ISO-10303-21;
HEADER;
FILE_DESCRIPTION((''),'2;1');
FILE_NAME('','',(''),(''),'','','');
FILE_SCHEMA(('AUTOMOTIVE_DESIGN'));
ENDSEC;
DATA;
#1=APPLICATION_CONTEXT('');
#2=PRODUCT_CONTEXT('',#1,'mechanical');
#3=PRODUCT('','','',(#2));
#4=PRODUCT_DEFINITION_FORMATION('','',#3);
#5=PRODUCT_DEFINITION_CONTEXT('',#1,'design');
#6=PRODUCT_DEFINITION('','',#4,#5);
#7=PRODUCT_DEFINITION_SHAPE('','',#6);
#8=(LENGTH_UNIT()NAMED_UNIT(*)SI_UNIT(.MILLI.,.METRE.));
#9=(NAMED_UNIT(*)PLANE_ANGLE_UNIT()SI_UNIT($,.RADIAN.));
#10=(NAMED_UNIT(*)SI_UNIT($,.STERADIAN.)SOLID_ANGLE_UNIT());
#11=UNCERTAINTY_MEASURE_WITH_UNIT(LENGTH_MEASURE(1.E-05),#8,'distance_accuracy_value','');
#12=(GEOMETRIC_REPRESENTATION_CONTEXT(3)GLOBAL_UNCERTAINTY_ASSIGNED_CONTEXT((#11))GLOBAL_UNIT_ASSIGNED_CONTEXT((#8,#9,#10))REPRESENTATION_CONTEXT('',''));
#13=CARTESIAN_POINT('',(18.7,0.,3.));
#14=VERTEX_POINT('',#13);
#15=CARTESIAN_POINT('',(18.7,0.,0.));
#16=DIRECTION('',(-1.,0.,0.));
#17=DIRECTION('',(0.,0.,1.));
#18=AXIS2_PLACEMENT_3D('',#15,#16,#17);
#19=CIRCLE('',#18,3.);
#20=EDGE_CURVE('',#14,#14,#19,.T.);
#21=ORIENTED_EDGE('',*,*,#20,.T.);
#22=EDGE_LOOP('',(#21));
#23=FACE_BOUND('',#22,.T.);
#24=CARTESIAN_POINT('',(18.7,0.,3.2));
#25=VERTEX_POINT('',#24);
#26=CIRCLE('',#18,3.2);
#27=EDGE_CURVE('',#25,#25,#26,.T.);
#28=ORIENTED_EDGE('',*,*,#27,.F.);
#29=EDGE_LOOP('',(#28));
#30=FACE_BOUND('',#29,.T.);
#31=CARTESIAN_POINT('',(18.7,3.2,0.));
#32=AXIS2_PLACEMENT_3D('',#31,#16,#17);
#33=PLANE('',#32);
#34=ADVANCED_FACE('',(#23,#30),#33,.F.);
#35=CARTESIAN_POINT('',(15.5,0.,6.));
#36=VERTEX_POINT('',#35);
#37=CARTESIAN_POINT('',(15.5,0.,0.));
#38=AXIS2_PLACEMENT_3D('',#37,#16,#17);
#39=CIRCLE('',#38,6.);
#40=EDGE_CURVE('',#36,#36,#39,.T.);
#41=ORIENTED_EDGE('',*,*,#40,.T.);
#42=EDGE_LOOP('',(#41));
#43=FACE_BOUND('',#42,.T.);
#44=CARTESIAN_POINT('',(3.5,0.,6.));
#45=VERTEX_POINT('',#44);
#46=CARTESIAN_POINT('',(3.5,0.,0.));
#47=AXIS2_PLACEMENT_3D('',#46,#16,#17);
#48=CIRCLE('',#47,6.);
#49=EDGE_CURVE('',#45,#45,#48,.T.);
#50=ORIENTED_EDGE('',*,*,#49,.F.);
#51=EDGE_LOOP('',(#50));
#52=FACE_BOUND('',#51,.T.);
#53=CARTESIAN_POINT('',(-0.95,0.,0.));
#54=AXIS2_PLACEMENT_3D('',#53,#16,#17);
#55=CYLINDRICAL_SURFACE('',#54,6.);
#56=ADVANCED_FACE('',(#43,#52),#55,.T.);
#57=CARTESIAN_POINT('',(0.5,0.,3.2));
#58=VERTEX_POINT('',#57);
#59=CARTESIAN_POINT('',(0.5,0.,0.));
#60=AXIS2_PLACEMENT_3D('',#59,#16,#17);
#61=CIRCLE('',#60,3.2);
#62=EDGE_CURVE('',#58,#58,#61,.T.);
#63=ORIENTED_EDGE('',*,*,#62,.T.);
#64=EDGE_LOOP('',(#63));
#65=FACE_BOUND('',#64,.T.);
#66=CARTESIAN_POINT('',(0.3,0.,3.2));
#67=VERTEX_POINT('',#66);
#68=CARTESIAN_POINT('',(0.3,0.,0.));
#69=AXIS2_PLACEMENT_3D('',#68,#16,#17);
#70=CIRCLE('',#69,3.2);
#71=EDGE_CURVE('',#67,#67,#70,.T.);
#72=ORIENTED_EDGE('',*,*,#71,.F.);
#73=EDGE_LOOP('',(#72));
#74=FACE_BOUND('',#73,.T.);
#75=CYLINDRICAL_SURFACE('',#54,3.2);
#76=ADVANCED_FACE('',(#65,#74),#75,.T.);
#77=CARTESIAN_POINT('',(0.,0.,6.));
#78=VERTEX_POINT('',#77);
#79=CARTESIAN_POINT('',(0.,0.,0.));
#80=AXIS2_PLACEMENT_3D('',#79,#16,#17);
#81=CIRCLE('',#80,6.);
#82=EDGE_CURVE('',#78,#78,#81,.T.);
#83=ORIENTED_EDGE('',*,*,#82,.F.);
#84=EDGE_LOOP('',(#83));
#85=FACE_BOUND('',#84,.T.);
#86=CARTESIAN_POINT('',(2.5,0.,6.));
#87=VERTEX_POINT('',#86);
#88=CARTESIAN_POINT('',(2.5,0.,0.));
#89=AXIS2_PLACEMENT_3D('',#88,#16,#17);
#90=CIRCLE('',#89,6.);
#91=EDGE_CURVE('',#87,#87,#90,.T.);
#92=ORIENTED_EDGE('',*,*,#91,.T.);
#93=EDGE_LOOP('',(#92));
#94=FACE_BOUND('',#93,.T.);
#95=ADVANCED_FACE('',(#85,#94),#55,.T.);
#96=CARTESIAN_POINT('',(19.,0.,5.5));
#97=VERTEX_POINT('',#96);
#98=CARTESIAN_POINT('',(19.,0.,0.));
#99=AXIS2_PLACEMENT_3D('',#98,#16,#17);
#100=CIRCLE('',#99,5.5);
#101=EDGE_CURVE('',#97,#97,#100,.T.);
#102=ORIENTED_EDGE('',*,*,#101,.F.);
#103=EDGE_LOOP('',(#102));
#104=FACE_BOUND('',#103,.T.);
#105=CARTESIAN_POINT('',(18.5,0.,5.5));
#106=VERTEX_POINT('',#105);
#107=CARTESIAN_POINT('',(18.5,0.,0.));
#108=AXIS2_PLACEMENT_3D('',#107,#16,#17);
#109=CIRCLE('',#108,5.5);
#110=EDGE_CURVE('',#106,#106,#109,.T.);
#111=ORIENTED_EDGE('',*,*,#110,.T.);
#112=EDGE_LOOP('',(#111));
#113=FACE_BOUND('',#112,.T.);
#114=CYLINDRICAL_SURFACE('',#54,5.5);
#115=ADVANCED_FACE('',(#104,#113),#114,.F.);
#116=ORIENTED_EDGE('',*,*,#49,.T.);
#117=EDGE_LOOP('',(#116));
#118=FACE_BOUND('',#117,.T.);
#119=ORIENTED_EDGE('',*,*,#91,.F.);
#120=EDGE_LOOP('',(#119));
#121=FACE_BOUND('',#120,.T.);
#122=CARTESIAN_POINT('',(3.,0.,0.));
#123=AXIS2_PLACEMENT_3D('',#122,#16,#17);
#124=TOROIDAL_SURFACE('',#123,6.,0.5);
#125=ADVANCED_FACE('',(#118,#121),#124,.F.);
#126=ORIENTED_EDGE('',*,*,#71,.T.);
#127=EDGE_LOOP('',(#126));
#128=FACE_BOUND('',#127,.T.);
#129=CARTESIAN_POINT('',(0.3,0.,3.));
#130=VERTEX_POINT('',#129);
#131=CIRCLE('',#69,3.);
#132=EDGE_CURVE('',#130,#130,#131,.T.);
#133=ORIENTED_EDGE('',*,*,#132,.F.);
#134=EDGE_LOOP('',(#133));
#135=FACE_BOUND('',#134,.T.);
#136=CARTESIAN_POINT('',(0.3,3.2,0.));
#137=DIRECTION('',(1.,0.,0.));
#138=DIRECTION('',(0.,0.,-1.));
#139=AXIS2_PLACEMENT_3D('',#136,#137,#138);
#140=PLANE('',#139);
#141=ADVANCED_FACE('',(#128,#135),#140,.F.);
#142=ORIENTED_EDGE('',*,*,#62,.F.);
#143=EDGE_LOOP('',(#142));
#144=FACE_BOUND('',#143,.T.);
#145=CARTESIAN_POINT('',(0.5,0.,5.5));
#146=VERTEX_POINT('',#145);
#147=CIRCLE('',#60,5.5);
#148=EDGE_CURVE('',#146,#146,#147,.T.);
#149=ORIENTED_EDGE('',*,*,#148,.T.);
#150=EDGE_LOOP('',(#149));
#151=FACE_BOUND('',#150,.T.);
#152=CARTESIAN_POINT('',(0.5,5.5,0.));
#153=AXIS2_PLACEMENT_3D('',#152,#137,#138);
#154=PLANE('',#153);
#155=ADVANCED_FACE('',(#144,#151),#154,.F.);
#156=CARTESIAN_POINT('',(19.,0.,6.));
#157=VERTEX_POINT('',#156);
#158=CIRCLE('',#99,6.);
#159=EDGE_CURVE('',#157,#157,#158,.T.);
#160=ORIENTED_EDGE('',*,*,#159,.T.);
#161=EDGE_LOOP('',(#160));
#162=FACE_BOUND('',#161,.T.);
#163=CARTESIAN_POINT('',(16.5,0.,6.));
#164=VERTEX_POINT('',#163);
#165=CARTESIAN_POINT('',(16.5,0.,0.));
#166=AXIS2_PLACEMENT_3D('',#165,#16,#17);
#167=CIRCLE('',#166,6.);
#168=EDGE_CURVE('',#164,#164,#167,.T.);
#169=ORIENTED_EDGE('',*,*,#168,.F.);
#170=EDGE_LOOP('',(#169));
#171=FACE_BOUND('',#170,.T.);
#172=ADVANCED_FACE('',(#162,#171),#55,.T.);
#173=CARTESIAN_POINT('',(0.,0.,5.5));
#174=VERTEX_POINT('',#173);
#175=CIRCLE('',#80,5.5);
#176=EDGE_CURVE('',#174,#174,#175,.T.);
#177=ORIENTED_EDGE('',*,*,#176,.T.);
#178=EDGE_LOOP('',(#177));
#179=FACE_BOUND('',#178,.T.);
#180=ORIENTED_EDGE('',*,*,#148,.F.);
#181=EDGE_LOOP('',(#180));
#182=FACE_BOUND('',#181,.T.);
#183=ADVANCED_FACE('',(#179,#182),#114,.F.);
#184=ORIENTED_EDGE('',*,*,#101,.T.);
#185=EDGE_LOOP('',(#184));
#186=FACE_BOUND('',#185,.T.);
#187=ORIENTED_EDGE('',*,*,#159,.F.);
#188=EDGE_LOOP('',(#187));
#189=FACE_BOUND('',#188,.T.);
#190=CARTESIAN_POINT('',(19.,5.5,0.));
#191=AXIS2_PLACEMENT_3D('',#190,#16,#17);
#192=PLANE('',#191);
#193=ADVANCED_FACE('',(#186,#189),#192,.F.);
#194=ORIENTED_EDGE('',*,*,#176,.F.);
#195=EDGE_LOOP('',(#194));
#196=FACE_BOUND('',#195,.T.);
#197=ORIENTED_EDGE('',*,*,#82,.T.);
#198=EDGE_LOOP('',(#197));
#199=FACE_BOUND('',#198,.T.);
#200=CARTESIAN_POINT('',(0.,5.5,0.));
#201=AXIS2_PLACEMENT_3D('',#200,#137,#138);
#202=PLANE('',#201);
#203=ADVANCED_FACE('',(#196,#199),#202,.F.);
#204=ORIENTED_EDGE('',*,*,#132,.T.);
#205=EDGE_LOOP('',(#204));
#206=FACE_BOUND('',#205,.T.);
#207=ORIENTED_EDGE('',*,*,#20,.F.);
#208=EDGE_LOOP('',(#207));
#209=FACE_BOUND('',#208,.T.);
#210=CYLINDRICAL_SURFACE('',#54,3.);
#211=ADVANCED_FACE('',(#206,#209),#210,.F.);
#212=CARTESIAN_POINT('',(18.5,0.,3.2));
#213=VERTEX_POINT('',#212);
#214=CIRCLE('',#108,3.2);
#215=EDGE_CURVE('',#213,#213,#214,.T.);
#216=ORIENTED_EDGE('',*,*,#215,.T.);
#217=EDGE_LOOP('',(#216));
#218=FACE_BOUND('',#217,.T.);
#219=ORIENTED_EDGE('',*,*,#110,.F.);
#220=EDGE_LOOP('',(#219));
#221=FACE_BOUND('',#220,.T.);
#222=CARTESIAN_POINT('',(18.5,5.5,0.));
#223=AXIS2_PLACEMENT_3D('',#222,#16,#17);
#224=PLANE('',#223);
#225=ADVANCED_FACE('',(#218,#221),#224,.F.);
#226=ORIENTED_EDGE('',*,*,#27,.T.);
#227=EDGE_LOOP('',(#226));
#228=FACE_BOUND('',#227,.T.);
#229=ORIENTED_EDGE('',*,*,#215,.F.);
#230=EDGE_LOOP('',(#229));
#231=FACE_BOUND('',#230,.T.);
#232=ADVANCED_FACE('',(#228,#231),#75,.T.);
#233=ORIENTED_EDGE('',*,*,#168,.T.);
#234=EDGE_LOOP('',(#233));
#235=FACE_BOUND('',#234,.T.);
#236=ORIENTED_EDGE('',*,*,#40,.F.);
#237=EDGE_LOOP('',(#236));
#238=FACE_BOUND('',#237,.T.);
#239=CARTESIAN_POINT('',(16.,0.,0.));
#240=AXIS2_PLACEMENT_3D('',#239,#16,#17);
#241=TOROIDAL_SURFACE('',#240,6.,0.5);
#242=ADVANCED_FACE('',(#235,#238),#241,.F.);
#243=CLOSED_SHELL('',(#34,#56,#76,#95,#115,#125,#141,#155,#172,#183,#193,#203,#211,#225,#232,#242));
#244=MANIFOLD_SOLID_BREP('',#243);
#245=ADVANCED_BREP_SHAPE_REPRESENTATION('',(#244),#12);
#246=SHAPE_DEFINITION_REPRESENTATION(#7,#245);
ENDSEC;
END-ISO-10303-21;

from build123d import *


with BuildPart() as part:
    # Sketch1 → Revolve3 (revolve)
    with BuildSketch(Plane.XY, mode=Mode.PRIVATE) as revolve3_sk:
        with BuildLine():
            Line((3.5, 6), (15.5, 6))
            ThreePointArc((15.5, 6), (16, 5.5), (16.5, 6))
            Line((16.5, 6), (19, 6))
            Line((19, 6), (19, 5.5))
            Line((19, 5.5), (18.5, 5.5))
            Line((18.5, 5.5), (18.5, 3.2))
            Line((18.5, 3.2), (18.7, 3.2))
            Line((18.7, 3.2), (18.7, 3))
            Line((18.7, 3), (0.3, 3))
            Line((0.3, 3), (0.3, 3.2))
            Line((0.3, 3.2), (0.5, 3.2))
            Line((0.5, 3.2), (0.5, 5.5))
            Line((0.5, 5.5), (0, 5.5))
            Line((0, 5.5), (0, 6))
            Line((0, 6), (2.5, 6))
            ThreePointArc((2.5, 6), (3, 5.5), (3.5, 6))
        make_face()
    revolve(revolve3_sk.sketch.rotate(Axis((-0.95, 0, 0), (1, 0, 0)), 90), axis=Axis((-0.95, 0, 0), (1, 0, 0)))


solid = part.part
